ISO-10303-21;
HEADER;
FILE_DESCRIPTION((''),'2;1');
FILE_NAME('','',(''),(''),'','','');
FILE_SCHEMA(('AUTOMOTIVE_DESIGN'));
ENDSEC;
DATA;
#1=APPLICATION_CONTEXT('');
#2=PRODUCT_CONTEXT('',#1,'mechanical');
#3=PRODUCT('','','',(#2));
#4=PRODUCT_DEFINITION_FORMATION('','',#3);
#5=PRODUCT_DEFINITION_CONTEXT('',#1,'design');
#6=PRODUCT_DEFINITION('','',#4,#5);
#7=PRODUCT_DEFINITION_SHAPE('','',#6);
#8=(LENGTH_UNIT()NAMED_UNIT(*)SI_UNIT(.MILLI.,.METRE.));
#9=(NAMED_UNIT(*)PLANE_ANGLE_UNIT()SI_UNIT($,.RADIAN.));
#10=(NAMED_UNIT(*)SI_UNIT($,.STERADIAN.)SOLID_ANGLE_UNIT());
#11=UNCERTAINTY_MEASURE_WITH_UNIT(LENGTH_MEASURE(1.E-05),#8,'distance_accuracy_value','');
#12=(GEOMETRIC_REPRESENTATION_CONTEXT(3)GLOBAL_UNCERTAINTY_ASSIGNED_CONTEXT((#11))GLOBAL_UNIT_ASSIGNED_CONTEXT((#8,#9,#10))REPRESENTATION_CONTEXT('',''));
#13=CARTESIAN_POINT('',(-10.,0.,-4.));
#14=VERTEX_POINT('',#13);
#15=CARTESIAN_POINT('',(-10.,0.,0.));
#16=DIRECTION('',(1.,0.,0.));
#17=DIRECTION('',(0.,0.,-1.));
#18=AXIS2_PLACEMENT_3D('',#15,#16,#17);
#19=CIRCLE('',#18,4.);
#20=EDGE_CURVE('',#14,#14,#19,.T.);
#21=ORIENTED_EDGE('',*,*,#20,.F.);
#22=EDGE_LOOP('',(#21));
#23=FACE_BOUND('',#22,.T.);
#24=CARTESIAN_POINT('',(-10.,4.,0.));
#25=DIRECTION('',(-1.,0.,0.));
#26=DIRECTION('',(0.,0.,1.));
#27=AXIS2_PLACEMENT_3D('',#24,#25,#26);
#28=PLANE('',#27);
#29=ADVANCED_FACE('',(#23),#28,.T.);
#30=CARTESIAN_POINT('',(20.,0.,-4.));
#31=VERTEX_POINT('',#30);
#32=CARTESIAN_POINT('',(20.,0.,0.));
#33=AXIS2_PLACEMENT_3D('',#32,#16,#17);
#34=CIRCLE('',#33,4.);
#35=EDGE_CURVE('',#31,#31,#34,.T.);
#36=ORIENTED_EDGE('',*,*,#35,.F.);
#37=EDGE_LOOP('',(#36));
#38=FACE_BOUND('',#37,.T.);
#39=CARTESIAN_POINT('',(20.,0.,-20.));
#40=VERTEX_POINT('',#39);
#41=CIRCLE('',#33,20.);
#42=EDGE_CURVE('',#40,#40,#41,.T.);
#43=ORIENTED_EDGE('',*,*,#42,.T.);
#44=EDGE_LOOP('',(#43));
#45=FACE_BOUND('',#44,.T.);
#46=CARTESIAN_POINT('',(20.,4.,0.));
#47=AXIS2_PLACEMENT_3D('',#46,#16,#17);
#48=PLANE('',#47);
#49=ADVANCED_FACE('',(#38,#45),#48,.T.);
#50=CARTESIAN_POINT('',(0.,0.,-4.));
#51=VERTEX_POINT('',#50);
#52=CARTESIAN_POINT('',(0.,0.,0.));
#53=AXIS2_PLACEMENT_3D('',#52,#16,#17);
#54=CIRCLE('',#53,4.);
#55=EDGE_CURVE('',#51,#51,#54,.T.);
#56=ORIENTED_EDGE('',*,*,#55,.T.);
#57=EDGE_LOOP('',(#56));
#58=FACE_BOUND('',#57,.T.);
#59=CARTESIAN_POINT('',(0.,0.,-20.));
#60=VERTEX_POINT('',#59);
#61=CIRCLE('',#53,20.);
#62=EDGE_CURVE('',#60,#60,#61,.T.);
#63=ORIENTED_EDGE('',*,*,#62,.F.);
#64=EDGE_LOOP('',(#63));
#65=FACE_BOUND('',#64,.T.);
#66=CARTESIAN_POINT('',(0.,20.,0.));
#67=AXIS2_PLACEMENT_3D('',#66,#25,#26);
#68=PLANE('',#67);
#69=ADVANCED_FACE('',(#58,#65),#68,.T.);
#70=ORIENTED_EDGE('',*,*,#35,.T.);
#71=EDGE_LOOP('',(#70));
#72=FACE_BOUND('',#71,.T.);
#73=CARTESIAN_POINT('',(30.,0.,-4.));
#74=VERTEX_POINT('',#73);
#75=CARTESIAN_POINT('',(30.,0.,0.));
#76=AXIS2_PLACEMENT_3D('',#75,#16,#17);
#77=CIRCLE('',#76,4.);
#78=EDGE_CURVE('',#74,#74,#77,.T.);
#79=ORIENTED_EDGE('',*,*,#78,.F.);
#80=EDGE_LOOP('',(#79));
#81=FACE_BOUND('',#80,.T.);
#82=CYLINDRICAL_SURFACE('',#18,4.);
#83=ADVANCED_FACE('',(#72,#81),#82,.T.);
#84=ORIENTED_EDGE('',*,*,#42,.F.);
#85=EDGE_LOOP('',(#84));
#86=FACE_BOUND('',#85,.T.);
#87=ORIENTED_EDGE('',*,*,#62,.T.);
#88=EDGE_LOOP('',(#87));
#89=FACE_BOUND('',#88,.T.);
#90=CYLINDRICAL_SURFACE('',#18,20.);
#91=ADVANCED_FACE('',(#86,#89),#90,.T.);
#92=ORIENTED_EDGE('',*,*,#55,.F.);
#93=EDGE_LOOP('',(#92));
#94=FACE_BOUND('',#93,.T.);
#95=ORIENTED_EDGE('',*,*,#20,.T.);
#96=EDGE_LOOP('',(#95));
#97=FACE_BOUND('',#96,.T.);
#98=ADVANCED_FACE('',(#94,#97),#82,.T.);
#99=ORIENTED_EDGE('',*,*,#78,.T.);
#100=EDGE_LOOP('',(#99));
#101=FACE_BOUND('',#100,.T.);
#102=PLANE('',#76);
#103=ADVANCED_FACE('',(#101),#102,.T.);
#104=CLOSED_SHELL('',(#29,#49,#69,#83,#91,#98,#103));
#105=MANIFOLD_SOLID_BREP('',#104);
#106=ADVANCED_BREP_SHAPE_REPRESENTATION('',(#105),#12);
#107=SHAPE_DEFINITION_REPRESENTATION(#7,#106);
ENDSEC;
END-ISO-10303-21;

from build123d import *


with BuildPart() as part:
    # 草图1 → 旋转1 (revolve)
    with BuildSketch(Plane.XY, mode=Mode.PRIVATE) as revolve_1_sk:
        Polygon((-10, 4), (-10, 0), (30, 0), (30, 4), (20, 4), (20, 20), (0, 20), (0, 4), align=None)
    revolve(revolve_1_sk.sketch.rotate(Axis((-10, 0, 0), (1, 0, 0)), 270), axis=Axis((-10, 0, 0), (1, 0, 0)))


solid = part.part
